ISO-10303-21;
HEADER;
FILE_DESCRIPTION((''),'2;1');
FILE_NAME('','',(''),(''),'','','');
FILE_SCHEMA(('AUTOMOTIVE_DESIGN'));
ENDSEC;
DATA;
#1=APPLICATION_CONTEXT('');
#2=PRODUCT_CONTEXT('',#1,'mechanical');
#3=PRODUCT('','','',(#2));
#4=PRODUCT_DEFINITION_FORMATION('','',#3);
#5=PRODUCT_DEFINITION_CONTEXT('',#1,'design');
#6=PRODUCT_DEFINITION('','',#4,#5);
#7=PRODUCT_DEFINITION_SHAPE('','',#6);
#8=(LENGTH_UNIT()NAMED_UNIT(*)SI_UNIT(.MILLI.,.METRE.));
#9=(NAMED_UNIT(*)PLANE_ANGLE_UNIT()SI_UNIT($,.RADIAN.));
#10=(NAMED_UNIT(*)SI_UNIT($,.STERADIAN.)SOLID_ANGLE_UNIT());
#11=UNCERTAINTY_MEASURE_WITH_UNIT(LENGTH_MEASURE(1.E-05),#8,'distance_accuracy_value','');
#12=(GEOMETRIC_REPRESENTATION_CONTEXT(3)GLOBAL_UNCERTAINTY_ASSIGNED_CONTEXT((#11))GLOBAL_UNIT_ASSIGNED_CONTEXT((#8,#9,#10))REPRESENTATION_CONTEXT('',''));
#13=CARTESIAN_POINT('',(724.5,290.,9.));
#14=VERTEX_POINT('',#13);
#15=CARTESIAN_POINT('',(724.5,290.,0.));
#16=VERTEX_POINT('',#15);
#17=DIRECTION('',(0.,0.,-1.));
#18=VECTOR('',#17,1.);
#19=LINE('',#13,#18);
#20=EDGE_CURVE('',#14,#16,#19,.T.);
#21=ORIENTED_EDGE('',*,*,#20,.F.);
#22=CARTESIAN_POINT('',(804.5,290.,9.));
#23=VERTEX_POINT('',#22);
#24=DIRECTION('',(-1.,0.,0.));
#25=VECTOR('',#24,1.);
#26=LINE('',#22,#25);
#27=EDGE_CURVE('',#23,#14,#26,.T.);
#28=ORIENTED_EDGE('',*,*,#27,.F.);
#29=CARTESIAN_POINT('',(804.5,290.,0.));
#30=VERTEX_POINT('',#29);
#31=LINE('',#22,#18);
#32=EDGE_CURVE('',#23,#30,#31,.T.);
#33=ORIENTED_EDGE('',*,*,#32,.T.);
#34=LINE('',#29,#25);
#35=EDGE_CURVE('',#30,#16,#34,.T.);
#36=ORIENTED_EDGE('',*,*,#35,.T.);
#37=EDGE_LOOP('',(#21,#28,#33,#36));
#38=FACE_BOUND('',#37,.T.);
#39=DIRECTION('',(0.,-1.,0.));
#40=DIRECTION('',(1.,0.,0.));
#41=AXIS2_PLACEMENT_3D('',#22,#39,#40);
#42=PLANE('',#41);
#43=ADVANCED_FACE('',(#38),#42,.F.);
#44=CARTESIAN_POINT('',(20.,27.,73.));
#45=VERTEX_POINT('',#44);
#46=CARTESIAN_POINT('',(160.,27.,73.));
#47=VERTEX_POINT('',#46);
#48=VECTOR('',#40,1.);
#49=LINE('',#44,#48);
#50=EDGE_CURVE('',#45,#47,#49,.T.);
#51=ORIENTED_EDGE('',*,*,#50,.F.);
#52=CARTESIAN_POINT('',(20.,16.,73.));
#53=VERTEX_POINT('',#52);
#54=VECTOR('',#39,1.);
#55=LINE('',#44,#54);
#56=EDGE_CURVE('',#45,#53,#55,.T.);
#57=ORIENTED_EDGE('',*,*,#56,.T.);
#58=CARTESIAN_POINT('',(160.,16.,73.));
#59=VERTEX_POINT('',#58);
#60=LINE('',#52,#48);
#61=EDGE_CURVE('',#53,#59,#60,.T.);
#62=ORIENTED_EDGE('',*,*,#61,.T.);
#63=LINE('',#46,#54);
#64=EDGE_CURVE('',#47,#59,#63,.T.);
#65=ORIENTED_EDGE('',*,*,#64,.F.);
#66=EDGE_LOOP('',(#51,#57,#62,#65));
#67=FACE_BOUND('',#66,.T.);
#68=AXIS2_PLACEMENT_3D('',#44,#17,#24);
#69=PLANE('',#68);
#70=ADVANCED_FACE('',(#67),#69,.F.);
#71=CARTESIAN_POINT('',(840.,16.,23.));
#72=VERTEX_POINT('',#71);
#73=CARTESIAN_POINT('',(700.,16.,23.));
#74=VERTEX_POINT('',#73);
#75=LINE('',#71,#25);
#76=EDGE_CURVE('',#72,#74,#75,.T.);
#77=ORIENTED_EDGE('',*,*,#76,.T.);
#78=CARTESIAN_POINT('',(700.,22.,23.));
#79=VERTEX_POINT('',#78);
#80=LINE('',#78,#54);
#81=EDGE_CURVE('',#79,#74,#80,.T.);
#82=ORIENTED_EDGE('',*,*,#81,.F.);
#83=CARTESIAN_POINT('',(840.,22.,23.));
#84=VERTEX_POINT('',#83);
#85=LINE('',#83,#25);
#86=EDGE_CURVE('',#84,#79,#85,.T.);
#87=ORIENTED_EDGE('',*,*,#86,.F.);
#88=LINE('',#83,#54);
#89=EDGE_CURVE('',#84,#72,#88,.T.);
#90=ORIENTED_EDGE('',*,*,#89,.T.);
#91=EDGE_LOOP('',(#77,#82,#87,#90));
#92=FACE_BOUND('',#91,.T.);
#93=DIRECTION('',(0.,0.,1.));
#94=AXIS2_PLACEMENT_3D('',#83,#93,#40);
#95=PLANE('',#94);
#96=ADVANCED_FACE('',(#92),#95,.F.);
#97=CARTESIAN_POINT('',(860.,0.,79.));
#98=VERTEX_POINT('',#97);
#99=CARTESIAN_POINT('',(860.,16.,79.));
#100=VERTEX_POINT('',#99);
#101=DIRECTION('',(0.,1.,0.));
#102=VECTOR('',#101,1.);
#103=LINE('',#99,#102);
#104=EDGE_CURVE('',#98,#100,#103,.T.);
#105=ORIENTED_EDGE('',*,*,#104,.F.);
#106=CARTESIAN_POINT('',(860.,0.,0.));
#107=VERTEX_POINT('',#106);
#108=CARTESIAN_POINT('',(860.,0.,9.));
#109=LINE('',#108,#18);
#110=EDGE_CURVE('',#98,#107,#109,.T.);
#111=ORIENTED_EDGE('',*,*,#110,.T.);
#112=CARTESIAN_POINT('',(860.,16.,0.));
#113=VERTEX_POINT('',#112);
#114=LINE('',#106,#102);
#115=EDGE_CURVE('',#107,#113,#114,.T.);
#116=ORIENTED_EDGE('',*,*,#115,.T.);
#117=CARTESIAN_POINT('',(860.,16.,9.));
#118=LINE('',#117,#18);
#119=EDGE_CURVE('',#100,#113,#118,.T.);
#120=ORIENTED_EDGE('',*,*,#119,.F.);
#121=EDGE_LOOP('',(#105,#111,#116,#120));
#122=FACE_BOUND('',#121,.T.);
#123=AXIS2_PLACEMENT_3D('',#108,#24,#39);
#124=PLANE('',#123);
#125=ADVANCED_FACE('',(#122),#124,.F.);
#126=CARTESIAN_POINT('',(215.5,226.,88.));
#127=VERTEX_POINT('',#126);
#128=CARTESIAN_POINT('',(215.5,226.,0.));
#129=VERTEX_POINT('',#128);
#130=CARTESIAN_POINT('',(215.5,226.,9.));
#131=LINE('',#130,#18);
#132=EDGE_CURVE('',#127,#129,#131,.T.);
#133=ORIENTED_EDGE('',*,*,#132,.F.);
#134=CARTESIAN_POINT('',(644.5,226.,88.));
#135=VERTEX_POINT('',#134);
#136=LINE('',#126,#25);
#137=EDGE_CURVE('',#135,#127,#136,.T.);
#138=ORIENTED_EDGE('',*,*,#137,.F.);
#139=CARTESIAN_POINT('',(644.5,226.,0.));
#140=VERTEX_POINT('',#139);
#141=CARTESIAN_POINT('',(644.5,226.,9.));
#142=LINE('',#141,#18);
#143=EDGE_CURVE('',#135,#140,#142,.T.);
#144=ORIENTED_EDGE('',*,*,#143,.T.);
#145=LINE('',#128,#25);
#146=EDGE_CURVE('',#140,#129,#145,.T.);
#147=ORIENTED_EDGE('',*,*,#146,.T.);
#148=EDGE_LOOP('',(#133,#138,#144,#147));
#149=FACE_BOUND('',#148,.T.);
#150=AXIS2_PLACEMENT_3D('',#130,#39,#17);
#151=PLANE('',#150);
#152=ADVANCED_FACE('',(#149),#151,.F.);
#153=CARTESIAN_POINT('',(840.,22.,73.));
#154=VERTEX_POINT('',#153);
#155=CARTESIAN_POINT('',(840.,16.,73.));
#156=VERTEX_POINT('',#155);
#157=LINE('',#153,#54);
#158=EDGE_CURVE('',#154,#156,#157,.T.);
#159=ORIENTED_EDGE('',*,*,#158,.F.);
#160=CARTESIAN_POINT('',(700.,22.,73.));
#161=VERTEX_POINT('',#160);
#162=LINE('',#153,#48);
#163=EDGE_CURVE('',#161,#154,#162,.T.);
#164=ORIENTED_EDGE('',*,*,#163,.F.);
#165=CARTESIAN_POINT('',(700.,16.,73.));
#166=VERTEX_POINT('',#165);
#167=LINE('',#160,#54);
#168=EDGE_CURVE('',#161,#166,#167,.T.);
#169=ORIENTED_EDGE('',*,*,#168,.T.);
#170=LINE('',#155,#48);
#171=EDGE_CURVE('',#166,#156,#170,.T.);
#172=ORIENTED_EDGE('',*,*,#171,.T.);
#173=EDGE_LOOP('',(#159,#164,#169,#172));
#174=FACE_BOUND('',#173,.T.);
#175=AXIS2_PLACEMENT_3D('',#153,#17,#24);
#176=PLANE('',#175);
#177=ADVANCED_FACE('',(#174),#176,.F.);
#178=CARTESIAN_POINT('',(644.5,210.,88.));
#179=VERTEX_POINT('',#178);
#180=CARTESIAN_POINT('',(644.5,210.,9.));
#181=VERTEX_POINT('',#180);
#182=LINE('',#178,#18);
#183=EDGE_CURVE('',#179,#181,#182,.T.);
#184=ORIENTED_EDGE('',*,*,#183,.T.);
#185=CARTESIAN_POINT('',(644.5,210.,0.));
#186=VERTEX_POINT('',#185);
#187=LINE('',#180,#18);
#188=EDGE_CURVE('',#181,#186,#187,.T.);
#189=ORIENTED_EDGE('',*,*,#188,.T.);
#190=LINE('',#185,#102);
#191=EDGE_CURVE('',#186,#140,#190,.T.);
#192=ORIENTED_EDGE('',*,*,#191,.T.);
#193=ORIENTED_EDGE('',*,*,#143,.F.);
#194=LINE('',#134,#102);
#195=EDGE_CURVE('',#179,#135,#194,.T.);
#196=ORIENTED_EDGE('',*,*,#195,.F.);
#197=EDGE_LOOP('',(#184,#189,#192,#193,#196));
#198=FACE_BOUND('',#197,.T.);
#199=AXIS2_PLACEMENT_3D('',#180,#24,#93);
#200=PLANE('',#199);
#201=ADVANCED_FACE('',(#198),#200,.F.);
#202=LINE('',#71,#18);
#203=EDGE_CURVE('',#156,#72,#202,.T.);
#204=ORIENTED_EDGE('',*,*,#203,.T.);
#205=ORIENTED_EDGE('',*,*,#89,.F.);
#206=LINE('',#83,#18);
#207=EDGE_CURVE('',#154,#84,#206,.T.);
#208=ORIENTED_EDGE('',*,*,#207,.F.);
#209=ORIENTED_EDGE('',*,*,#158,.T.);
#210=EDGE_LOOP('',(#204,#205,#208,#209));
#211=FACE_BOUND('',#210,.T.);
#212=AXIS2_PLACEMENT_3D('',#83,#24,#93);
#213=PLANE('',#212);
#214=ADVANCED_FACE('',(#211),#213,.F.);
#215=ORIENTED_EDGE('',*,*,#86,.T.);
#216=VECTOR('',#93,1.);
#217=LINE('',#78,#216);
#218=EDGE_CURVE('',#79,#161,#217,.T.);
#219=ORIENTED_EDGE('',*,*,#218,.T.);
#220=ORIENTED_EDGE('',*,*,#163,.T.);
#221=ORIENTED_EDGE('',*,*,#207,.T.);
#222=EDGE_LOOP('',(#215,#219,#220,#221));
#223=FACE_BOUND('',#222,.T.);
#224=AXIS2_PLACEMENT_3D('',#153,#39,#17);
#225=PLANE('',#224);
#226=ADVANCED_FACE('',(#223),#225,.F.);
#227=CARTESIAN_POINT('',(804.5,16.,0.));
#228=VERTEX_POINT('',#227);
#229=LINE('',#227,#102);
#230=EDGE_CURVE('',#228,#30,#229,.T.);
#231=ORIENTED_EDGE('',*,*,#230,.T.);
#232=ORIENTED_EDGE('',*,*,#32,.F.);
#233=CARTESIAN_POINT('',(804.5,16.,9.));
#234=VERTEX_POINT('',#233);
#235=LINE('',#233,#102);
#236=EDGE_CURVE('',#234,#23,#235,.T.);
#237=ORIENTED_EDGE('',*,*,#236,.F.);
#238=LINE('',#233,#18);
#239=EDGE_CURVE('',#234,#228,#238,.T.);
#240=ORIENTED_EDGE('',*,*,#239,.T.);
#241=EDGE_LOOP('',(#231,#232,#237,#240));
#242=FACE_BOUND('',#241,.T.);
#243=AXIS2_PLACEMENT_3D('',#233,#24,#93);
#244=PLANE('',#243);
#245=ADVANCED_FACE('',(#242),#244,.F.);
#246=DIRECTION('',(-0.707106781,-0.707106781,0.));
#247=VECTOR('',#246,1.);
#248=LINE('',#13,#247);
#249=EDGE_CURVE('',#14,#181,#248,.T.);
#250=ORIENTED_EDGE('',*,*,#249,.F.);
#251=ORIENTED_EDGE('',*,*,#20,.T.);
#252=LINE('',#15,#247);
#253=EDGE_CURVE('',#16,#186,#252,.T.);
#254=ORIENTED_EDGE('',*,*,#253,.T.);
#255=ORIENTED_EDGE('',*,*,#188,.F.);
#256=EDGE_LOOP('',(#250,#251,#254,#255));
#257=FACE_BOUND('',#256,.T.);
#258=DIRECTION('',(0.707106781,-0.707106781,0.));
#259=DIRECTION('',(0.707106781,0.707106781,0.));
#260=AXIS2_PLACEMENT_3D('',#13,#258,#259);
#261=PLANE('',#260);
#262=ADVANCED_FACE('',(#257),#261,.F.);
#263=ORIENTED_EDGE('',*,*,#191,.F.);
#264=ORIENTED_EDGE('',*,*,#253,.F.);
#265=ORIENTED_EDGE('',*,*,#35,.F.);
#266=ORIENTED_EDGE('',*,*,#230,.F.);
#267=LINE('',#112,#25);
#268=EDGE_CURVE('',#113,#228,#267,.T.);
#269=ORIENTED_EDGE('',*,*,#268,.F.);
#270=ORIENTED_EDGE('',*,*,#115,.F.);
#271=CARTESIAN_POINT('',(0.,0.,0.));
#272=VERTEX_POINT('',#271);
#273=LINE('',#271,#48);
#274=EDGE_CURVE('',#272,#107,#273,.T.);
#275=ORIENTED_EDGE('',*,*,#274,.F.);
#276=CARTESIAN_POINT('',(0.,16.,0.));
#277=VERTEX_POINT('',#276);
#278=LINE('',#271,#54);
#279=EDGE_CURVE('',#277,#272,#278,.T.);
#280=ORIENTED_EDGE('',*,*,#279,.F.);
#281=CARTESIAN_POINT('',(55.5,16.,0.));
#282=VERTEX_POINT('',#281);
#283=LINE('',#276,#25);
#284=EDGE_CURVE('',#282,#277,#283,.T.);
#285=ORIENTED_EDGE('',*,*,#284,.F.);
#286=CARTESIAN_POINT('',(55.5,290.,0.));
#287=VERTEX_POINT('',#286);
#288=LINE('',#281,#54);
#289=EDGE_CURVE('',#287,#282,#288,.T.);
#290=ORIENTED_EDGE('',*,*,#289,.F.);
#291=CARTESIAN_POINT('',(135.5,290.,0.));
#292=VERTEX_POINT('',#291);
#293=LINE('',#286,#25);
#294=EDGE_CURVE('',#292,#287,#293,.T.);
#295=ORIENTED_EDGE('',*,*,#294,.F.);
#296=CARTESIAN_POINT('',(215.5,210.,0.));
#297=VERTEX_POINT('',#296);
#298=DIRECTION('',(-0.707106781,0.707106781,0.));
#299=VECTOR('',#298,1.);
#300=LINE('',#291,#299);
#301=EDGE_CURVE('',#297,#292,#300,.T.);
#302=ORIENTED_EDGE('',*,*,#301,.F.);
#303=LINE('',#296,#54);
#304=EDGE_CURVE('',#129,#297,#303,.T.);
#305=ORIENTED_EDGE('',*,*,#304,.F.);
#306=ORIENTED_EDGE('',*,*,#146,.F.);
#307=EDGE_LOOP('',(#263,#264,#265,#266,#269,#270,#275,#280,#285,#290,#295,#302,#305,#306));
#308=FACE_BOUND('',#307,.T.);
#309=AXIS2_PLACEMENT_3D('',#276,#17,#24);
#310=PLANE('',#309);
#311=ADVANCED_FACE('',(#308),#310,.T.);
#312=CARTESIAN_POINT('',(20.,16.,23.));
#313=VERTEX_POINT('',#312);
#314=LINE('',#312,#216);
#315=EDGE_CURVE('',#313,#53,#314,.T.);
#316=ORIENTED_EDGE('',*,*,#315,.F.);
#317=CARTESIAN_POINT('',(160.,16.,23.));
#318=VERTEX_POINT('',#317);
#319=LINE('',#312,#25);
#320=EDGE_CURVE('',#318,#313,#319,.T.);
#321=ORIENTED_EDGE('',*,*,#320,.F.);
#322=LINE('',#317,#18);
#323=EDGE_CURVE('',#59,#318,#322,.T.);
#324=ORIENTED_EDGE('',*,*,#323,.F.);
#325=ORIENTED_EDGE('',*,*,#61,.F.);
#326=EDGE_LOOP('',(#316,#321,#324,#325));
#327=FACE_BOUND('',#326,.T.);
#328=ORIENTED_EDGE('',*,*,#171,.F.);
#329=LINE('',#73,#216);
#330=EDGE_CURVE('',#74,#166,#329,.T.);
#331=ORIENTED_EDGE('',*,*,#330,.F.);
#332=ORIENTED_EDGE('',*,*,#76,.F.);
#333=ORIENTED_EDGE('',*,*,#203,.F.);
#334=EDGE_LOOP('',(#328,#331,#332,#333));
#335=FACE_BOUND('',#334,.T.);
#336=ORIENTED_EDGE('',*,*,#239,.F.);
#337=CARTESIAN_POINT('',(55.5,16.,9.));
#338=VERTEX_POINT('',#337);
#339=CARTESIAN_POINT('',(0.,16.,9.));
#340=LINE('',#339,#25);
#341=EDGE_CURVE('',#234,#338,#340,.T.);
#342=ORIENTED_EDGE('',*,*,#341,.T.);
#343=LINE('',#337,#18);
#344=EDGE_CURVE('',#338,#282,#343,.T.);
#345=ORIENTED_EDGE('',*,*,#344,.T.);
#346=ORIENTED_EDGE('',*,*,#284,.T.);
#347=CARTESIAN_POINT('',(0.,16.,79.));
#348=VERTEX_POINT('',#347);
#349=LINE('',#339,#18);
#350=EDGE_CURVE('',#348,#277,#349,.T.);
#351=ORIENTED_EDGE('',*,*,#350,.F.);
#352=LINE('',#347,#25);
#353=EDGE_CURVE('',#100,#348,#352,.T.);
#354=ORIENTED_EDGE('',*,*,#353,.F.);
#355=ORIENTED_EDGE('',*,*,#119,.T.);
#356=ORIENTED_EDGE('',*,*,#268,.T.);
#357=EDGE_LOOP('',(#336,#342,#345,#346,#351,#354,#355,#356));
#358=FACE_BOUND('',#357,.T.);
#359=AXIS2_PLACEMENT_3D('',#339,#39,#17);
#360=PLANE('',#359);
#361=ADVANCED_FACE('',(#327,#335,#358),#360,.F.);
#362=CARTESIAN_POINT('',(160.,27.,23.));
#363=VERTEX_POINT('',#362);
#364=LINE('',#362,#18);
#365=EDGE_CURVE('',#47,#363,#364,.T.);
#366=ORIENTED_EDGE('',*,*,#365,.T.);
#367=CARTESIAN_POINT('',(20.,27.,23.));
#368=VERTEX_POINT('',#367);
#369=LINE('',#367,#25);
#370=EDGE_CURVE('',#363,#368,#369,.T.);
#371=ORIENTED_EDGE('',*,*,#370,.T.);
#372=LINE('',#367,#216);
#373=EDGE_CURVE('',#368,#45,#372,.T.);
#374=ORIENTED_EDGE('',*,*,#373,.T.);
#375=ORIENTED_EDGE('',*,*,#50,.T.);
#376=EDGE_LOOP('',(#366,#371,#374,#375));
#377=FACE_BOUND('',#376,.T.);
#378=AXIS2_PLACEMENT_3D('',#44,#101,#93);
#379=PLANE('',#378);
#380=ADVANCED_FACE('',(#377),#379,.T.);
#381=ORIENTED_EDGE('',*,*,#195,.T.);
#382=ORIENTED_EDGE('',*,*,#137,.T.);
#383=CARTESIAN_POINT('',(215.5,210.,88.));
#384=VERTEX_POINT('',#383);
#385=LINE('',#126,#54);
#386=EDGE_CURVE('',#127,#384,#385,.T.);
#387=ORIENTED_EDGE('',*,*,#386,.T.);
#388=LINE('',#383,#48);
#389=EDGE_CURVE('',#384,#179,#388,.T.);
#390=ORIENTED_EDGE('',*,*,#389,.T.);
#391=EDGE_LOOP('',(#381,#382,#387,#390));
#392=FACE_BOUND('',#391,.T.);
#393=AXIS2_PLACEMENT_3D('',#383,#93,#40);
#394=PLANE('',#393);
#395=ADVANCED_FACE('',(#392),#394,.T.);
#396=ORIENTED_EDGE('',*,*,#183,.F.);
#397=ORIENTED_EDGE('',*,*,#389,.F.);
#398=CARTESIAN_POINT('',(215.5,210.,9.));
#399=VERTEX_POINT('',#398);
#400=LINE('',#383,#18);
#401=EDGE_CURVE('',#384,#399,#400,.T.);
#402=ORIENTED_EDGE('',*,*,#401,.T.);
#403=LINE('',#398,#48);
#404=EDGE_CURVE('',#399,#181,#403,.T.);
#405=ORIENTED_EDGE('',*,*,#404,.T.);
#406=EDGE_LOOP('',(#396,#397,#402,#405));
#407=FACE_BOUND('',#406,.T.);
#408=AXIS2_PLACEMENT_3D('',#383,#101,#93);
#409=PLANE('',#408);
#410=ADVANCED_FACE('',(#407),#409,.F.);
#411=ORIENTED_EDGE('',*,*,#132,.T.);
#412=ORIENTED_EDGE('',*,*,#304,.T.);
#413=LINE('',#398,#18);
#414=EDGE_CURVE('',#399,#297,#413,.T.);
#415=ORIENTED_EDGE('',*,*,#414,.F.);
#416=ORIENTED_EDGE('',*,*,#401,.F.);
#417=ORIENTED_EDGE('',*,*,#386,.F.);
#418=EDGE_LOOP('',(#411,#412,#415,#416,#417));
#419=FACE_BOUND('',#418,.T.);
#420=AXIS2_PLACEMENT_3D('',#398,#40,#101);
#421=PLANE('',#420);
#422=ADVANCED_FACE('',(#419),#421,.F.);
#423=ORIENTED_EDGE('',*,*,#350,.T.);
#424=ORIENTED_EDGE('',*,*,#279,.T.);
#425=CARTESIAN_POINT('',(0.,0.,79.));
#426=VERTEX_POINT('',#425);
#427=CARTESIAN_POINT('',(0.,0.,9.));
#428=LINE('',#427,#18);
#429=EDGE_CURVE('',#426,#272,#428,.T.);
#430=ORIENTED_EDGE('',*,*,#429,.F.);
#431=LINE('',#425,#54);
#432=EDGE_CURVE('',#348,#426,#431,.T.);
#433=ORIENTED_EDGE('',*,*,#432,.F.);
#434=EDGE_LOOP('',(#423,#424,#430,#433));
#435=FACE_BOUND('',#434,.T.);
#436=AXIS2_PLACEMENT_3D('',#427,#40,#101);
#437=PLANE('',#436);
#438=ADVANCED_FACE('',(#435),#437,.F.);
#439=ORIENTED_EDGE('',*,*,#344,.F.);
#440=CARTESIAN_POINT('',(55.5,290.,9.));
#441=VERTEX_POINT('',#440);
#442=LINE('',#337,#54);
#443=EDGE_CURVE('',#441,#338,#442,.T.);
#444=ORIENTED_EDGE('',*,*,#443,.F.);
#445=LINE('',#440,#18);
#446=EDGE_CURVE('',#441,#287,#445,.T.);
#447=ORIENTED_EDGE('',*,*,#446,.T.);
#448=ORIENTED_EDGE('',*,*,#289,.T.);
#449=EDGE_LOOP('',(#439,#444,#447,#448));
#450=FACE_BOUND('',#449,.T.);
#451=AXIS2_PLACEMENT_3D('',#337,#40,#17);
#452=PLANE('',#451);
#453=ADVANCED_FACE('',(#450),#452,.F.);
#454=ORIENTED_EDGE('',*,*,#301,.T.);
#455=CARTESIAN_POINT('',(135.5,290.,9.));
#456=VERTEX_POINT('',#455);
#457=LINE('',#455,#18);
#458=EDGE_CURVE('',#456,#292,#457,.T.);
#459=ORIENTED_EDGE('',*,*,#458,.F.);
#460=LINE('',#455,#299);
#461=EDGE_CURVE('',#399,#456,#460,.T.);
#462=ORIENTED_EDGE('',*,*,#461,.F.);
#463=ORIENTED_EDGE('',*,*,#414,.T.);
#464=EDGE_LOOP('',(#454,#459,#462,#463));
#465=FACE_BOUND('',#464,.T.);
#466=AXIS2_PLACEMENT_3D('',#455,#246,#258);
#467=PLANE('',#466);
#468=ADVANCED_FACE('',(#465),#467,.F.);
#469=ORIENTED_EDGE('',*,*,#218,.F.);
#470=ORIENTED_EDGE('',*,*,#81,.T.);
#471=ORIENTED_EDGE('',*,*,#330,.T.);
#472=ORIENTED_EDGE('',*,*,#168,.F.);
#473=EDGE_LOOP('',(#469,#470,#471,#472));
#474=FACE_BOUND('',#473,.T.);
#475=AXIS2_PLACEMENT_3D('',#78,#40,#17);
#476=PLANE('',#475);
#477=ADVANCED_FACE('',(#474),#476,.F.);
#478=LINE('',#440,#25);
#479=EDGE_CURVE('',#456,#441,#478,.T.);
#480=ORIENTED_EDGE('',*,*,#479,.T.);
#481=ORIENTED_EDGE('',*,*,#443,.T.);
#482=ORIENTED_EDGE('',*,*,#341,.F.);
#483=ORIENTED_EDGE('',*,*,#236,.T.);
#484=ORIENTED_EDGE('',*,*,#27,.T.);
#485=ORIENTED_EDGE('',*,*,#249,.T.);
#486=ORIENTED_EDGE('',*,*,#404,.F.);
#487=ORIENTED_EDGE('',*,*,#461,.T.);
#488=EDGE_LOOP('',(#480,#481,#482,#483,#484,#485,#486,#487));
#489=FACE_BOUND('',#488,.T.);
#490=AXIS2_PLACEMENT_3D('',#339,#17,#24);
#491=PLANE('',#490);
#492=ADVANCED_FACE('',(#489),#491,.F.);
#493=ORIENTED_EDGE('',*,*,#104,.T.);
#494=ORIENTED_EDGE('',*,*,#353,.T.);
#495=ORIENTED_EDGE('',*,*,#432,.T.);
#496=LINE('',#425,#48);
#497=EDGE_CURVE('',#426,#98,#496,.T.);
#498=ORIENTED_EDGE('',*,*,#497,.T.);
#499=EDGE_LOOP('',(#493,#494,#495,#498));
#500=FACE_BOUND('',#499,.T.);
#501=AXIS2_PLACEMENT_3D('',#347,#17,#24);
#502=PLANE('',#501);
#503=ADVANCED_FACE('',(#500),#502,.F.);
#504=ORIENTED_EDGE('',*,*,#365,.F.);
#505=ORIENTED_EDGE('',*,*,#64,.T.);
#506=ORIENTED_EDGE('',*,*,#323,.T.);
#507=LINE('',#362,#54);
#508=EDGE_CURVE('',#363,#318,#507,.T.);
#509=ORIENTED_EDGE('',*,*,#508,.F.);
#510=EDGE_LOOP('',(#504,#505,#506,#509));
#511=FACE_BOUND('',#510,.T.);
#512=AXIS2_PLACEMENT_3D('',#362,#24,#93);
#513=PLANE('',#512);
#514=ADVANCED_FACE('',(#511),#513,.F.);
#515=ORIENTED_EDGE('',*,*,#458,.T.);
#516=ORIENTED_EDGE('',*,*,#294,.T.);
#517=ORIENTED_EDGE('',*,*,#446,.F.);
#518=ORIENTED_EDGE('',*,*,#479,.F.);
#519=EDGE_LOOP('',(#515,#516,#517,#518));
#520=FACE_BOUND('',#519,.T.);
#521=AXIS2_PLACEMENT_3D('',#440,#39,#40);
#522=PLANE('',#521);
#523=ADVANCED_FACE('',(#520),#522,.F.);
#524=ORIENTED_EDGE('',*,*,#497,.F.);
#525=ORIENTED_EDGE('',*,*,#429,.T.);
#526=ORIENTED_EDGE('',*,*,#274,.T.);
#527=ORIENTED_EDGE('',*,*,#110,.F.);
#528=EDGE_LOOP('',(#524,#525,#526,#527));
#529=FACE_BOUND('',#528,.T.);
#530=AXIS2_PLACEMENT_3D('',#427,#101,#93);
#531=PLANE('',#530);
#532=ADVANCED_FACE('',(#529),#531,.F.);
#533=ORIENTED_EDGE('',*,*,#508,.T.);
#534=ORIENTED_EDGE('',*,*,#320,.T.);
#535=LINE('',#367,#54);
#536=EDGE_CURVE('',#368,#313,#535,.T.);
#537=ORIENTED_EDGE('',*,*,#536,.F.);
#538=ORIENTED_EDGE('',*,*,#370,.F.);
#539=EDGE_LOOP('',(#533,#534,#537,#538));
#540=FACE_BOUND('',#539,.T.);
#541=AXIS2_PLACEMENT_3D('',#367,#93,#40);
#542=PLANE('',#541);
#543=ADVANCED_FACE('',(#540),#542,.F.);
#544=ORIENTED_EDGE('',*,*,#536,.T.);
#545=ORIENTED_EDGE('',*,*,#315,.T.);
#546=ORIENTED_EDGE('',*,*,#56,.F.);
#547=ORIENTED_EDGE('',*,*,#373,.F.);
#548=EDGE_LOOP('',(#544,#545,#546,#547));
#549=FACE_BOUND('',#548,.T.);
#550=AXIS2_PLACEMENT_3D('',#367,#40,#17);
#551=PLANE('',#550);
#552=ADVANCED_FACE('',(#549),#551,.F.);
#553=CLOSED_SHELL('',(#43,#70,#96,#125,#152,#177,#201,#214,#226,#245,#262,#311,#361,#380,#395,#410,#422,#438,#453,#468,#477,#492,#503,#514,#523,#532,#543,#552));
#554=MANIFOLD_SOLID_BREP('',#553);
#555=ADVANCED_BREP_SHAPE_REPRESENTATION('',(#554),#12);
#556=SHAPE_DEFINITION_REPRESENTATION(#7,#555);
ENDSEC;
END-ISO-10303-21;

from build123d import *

# Parameters (mm, degrees)
EXTRUDE_2_DEPTH = 9
SKETCH_3_W      = 860
SKETCH_3_H      = 16
EXTRUDE_3_DEPTH = 70
SKETCH_4_W      = 140
SKETCH_4_H      = 50
EXTRUDE_5_DEPTH = 11
SKETCH_6_W      = 140
SKETCH_6_H      = 50
EXTRUDE_6_DEPTH = 6
SKETCH_10_W     = 429
SKETCH_10_H     = 16
EXTRUDE_8_DEPTH = 79


with BuildPart() as part:
    # 草图1 → 凸台-拉伸2 (new body)
    with BuildSketch(Plane.XY):
        Polygon((0, 0), (860, 0), (860, 16), (804.5, 16), (804.5, 290), (724.5, 290), (644.5, 210), (644.5, 226), (215.5, 226), (215.5, 210), (135.5, 290), (55.5, 290), (55.5, 16), (0, 16), align=None)
    extrude(amount=EXTRUDE_2_DEPTH)

    # 草图3 → 凸台-拉伸3 (add)
    with BuildSketch(Plane.XY.offset(9)):
        with Locations((430, 8)):
            Rectangle(SKETCH_3_W, SKETCH_3_H)
    extrude(amount=EXTRUDE_3_DEPTH)

    # 草图4 → 凸台-拉伸5 (add)
    with BuildSketch(Plane(origin=(0, 16, 0), x_dir=(1, 0, 0), z_dir=(0, 1, 0))):
        with Locations((90, -48)):
            Rectangle(SKETCH_4_W, SKETCH_4_H)
    extrude(amount=EXTRUDE_5_DEPTH)

    # 草图6 → 凸台-拉伸6 (add)
    with BuildSketch(Plane(origin=(0, 16, 0), x_dir=(1, 0, 0), z_dir=(0, 1, 0))):
        with Locations((770, -48)):
            Rectangle(SKETCH_6_W, SKETCH_6_H)
    extrude(amount=EXTRUDE_6_DEPTH)

    # 草图10 → 凸台-拉伸8 (add)
    with BuildSketch(Plane.XY.offset(9)):
        with Locations((430, 218)):
            Rectangle(SKETCH_10_W, SKETCH_10_H)
    extrude(amount=EXTRUDE_8_DEPTH)


solid = part.part
